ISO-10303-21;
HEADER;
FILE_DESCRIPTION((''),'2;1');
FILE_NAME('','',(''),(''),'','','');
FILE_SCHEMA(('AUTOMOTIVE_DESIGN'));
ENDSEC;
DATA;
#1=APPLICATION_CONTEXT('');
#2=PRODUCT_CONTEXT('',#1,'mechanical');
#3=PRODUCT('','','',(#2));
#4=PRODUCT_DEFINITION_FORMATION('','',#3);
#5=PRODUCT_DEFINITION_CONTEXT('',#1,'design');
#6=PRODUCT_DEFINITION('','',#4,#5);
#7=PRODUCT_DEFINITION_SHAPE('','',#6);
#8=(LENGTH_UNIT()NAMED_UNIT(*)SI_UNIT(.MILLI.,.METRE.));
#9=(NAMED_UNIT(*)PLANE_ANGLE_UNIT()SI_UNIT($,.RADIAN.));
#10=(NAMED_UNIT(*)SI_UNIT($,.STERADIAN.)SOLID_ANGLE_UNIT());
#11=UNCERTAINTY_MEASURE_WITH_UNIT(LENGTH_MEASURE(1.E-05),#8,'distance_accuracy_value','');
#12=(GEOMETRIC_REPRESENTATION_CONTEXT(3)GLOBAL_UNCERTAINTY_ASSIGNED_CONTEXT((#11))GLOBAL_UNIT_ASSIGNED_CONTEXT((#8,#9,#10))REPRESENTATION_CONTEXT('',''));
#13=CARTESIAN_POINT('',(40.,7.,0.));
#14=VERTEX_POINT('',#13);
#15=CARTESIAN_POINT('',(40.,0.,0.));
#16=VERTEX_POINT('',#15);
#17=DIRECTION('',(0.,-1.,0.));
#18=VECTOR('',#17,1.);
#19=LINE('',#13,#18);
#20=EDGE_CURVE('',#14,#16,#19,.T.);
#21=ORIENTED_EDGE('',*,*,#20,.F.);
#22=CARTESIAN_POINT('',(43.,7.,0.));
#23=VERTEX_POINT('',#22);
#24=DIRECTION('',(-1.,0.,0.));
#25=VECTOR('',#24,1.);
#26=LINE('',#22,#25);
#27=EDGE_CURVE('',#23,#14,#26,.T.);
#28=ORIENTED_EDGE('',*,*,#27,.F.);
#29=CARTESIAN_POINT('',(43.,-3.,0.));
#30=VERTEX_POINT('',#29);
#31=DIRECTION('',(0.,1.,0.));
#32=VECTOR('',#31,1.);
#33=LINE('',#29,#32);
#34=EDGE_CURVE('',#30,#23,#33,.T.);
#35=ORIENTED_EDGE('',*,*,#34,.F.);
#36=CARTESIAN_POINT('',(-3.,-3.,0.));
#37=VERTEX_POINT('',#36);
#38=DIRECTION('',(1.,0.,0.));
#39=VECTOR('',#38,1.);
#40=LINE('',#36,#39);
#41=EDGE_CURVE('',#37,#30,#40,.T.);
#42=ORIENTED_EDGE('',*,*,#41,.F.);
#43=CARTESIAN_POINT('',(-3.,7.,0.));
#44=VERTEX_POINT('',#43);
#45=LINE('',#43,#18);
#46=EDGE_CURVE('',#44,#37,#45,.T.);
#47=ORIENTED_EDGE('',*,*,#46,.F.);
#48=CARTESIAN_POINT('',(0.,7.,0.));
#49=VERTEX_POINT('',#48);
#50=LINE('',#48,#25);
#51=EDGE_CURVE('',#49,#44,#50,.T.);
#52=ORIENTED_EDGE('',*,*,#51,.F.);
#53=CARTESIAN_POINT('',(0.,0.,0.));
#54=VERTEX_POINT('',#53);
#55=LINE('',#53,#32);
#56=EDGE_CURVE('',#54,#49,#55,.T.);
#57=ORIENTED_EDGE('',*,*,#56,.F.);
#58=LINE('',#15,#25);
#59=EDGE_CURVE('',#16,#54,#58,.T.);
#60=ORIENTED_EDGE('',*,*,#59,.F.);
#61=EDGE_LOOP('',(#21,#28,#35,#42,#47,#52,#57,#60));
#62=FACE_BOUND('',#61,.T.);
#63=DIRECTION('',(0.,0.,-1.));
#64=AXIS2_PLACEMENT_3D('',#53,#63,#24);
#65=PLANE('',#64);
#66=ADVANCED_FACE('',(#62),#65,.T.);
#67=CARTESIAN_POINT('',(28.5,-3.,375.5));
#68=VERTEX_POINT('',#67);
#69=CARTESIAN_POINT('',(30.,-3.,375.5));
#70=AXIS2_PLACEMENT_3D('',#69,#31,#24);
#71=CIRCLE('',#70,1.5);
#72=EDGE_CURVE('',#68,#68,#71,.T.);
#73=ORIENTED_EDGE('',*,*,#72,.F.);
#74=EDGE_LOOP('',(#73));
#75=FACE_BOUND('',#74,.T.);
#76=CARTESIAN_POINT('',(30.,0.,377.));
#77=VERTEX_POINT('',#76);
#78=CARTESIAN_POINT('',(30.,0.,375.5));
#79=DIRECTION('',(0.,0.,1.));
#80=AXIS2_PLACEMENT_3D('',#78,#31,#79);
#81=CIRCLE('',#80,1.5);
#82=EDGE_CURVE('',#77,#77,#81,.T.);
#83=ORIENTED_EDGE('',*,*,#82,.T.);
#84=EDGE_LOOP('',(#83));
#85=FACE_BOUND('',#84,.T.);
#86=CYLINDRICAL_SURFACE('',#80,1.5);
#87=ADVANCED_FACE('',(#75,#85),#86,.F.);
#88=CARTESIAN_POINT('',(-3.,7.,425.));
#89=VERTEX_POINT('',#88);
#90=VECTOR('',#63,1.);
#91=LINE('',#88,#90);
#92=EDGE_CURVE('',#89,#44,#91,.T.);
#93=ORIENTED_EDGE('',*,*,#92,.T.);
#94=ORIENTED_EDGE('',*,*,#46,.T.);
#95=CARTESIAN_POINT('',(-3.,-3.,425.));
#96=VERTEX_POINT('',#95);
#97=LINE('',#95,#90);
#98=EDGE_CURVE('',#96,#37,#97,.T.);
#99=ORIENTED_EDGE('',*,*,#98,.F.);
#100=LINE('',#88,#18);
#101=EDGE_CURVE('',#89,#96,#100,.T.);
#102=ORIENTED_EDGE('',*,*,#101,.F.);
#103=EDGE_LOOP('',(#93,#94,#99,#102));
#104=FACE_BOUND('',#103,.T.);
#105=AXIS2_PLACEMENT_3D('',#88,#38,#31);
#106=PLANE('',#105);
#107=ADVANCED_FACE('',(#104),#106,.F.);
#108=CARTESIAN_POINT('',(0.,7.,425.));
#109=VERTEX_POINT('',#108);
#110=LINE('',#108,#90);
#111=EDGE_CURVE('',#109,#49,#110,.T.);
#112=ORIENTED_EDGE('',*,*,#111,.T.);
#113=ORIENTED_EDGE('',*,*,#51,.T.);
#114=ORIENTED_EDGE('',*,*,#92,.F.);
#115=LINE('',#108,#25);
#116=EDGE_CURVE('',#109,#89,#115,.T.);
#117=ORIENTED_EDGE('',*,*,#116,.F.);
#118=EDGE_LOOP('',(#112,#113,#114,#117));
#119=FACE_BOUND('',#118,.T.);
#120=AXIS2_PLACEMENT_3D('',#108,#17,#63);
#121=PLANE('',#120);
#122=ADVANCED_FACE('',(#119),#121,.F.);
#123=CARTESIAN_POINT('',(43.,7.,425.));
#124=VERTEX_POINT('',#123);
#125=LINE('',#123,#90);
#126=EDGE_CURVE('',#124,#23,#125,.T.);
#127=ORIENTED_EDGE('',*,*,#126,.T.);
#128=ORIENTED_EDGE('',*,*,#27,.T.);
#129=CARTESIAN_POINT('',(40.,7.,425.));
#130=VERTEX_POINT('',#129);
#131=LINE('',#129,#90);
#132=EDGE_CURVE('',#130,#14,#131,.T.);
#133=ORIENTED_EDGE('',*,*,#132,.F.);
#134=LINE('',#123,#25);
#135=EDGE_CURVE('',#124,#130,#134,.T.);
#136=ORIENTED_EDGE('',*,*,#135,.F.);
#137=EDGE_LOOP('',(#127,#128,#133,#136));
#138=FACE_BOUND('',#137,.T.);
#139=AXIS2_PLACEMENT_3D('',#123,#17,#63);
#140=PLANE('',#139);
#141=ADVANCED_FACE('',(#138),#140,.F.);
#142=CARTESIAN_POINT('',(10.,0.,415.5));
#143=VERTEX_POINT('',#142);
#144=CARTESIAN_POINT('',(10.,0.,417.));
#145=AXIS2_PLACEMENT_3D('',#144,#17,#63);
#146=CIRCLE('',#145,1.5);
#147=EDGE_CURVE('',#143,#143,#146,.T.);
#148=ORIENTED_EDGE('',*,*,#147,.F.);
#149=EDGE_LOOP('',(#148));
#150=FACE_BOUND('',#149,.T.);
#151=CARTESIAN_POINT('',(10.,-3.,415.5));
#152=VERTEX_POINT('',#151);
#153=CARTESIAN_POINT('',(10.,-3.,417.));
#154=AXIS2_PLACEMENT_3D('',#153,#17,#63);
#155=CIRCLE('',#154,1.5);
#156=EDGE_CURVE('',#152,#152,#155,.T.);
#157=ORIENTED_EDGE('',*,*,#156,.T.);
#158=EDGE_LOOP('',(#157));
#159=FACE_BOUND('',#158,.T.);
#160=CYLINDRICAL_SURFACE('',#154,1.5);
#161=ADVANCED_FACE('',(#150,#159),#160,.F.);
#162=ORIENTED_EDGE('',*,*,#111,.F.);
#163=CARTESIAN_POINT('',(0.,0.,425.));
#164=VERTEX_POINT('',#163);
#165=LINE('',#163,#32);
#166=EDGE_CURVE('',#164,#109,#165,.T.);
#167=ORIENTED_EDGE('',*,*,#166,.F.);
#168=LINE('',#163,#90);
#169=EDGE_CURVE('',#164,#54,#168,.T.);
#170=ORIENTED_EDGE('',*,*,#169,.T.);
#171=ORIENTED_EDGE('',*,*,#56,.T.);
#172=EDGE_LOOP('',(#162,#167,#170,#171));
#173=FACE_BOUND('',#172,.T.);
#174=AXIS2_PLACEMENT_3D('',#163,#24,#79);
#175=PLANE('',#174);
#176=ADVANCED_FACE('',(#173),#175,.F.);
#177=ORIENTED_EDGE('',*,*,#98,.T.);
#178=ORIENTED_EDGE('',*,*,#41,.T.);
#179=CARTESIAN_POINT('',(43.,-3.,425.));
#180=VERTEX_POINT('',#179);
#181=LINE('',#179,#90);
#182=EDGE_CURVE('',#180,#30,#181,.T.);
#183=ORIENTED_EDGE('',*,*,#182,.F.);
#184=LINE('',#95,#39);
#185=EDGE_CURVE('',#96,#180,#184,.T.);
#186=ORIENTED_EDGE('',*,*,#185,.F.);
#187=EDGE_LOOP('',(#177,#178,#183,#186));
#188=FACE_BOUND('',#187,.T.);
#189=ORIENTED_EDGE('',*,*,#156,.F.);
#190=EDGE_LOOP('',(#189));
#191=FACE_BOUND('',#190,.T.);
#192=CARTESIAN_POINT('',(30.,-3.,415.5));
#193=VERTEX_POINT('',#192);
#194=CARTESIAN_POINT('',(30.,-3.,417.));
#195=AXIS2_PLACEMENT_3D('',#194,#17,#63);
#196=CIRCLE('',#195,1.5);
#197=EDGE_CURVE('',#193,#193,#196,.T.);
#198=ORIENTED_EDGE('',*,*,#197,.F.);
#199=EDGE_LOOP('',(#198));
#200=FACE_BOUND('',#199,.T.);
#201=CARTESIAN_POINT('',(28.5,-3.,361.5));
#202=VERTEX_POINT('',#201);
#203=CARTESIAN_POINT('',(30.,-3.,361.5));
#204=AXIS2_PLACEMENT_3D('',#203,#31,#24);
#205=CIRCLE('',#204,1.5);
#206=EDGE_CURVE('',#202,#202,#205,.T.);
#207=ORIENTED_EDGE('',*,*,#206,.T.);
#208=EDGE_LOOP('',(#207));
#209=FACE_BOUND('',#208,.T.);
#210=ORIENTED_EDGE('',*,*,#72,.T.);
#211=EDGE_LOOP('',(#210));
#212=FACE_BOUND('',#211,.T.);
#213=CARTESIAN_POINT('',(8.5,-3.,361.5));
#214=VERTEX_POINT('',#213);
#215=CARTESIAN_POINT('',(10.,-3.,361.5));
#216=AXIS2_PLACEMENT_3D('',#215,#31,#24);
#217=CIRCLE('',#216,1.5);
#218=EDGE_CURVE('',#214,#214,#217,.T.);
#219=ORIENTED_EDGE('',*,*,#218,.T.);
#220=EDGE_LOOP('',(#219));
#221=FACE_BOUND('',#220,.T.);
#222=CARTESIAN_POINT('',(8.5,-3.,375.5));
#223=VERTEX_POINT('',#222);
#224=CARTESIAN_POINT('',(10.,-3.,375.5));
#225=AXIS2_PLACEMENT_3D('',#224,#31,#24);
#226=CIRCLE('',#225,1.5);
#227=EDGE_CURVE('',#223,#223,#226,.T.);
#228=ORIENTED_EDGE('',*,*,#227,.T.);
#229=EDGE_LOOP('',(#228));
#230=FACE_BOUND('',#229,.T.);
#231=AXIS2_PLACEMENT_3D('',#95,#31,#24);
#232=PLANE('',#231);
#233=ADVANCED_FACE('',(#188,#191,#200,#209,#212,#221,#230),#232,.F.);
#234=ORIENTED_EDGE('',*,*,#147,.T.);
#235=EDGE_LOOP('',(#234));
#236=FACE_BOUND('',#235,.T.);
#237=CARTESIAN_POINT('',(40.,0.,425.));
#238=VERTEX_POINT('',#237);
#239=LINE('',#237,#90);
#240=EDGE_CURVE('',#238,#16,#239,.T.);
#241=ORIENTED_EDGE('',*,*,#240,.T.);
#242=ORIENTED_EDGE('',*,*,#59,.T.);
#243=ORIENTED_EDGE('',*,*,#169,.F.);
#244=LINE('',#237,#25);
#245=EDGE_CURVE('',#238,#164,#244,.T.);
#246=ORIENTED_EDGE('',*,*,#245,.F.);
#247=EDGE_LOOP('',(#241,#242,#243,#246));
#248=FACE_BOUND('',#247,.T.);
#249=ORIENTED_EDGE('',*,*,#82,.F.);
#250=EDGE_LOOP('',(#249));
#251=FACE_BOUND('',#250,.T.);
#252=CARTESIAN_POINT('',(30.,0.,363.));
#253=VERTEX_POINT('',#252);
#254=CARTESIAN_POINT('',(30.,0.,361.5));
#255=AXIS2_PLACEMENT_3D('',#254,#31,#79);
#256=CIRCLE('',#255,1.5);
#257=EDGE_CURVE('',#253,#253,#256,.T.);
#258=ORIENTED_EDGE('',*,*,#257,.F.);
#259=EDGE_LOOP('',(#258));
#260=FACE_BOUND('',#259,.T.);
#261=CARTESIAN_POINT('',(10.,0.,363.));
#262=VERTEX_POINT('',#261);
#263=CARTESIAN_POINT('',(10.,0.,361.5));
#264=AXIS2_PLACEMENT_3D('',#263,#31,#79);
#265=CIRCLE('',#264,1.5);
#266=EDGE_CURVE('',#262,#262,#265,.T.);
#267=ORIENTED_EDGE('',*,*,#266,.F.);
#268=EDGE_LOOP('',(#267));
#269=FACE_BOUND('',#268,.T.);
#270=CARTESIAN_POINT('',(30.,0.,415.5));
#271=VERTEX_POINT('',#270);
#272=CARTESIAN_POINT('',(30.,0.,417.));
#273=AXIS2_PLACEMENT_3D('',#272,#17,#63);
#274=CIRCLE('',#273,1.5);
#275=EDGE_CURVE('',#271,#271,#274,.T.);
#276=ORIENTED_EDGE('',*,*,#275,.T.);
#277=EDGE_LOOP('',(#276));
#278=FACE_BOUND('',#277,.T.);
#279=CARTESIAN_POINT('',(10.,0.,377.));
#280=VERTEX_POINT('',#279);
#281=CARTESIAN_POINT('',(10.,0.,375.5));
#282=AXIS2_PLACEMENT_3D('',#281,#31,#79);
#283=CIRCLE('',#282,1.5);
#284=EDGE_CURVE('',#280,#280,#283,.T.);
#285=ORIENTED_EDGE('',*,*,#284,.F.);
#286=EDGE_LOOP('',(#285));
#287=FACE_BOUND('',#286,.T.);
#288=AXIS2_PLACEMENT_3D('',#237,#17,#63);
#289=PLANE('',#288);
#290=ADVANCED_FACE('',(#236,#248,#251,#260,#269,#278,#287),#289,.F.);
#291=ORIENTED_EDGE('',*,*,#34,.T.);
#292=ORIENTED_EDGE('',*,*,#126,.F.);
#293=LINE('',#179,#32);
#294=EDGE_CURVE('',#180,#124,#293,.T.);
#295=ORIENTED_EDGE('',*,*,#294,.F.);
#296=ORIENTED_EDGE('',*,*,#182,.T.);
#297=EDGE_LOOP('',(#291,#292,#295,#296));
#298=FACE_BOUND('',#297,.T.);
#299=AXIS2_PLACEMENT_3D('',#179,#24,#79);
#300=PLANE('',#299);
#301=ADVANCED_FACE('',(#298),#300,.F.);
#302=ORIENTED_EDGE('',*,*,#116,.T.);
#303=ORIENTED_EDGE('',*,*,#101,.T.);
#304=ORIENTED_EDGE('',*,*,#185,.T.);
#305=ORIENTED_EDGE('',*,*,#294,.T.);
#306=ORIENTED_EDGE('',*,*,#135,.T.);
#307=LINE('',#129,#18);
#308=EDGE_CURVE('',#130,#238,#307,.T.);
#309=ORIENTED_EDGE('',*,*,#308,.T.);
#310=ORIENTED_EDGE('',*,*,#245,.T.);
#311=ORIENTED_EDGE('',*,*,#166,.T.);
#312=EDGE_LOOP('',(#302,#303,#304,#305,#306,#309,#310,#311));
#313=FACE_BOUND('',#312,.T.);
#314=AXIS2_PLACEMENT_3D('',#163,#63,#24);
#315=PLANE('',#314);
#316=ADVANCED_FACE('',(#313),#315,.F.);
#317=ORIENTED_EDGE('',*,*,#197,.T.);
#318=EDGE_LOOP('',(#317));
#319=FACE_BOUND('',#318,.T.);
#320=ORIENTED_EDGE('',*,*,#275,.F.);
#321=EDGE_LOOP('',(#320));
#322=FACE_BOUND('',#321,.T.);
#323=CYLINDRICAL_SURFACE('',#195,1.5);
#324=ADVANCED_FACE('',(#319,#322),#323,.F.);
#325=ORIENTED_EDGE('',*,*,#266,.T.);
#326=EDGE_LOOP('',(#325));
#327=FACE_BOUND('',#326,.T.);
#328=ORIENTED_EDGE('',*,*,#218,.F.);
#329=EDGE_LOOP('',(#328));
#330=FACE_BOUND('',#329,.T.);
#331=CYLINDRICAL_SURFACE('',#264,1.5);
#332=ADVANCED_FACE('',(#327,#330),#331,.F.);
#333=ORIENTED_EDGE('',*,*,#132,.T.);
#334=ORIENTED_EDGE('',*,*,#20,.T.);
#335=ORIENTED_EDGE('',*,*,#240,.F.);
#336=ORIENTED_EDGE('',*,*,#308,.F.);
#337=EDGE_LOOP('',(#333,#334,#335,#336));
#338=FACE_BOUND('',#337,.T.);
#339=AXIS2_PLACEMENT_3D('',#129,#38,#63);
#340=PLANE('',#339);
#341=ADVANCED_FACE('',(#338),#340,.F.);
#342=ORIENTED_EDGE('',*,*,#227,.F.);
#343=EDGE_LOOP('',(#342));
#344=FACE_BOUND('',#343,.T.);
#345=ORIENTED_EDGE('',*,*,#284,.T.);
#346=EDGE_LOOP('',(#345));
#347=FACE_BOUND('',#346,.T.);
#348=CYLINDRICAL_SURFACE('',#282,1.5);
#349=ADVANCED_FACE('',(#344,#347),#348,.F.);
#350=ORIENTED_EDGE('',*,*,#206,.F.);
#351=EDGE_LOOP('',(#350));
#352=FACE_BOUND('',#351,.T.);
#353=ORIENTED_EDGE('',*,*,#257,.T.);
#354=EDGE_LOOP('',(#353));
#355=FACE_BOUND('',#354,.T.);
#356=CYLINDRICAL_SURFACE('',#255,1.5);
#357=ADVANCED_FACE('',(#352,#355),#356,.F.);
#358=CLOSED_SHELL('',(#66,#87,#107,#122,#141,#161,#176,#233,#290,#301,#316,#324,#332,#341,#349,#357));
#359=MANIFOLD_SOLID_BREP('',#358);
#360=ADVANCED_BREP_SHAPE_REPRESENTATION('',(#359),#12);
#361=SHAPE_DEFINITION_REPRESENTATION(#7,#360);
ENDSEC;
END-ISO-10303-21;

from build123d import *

# Parameters (mm, degrees)
BOSS_EXTRUDE1_DEPTH       = 425
F_3_0MM_DOWEL_HOLE1_D     = 3
F_3_0MM_DOWEL_HOLE1_DEPTH = 15
F_3_0MM_DOWEL_HOLE1_TIP   = 0.901290929
F_3_0MM_DOWEL_HOLE2_D     = 3
F_3_0MM_DOWEL_HOLE2_DEPTH = 15
F_3_0MM_DOWEL_HOLE2_TIP   = 0.901290929


with BuildPart() as part:
    # Sketch1 → Boss-Extrude1 (new body)
    with BuildSketch(Plane.XY):
        Polygon((0, 0), (0, 7), (-3, 7), (-3, -3), (43, -3), (43, 7), (40, 7), (40, 0), align=None)
    extrude(amount=BOSS_EXTRUDE1_DEPTH)

    # Ø3.0mm Dowel Hole1
    with Locations(Plane(origin=(0, 0, 0), x_dir=(1, 0, 0), z_dir=(0, 1, 0))):
        with Locations((10, -375.5), (30, -375.5), (30, -361.5), (10, -361.5)):
            Hole(F_3_0MM_DOWEL_HOLE1_D / 2, depth=F_3_0MM_DOWEL_HOLE1_DEPTH)
            with Locations((0, 0, -(F_3_0MM_DOWEL_HOLE1_DEPTH + F_3_0MM_DOWEL_HOLE1_TIP / 2))):  # 118° drill point
                Cone(0, F_3_0MM_DOWEL_HOLE1_D / 2, F_3_0MM_DOWEL_HOLE1_TIP, mode=Mode.SUBTRACT)

    # Ø3.0mm Dowel Hole2
    with Locations(Plane(origin=(0, -3, 0), x_dir=(-1, 0, 0), z_dir=(0, -1, 0))):
        with Locations((-30, -417), (-10, -417)):
            Hole(F_3_0MM_DOWEL_HOLE2_D / 2, depth=F_3_0MM_DOWEL_HOLE2_DEPTH)
            with Locations((0, 0, -(F_3_0MM_DOWEL_HOLE2_DEPTH + F_3_0MM_DOWEL_HOLE2_TIP / 2))):  # 118° drill point
                Cone(0, F_3_0MM_DOWEL_HOLE2_D / 2, F_3_0MM_DOWEL_HOLE2_TIP, mode=Mode.SUBTRACT)


solid = part.part
